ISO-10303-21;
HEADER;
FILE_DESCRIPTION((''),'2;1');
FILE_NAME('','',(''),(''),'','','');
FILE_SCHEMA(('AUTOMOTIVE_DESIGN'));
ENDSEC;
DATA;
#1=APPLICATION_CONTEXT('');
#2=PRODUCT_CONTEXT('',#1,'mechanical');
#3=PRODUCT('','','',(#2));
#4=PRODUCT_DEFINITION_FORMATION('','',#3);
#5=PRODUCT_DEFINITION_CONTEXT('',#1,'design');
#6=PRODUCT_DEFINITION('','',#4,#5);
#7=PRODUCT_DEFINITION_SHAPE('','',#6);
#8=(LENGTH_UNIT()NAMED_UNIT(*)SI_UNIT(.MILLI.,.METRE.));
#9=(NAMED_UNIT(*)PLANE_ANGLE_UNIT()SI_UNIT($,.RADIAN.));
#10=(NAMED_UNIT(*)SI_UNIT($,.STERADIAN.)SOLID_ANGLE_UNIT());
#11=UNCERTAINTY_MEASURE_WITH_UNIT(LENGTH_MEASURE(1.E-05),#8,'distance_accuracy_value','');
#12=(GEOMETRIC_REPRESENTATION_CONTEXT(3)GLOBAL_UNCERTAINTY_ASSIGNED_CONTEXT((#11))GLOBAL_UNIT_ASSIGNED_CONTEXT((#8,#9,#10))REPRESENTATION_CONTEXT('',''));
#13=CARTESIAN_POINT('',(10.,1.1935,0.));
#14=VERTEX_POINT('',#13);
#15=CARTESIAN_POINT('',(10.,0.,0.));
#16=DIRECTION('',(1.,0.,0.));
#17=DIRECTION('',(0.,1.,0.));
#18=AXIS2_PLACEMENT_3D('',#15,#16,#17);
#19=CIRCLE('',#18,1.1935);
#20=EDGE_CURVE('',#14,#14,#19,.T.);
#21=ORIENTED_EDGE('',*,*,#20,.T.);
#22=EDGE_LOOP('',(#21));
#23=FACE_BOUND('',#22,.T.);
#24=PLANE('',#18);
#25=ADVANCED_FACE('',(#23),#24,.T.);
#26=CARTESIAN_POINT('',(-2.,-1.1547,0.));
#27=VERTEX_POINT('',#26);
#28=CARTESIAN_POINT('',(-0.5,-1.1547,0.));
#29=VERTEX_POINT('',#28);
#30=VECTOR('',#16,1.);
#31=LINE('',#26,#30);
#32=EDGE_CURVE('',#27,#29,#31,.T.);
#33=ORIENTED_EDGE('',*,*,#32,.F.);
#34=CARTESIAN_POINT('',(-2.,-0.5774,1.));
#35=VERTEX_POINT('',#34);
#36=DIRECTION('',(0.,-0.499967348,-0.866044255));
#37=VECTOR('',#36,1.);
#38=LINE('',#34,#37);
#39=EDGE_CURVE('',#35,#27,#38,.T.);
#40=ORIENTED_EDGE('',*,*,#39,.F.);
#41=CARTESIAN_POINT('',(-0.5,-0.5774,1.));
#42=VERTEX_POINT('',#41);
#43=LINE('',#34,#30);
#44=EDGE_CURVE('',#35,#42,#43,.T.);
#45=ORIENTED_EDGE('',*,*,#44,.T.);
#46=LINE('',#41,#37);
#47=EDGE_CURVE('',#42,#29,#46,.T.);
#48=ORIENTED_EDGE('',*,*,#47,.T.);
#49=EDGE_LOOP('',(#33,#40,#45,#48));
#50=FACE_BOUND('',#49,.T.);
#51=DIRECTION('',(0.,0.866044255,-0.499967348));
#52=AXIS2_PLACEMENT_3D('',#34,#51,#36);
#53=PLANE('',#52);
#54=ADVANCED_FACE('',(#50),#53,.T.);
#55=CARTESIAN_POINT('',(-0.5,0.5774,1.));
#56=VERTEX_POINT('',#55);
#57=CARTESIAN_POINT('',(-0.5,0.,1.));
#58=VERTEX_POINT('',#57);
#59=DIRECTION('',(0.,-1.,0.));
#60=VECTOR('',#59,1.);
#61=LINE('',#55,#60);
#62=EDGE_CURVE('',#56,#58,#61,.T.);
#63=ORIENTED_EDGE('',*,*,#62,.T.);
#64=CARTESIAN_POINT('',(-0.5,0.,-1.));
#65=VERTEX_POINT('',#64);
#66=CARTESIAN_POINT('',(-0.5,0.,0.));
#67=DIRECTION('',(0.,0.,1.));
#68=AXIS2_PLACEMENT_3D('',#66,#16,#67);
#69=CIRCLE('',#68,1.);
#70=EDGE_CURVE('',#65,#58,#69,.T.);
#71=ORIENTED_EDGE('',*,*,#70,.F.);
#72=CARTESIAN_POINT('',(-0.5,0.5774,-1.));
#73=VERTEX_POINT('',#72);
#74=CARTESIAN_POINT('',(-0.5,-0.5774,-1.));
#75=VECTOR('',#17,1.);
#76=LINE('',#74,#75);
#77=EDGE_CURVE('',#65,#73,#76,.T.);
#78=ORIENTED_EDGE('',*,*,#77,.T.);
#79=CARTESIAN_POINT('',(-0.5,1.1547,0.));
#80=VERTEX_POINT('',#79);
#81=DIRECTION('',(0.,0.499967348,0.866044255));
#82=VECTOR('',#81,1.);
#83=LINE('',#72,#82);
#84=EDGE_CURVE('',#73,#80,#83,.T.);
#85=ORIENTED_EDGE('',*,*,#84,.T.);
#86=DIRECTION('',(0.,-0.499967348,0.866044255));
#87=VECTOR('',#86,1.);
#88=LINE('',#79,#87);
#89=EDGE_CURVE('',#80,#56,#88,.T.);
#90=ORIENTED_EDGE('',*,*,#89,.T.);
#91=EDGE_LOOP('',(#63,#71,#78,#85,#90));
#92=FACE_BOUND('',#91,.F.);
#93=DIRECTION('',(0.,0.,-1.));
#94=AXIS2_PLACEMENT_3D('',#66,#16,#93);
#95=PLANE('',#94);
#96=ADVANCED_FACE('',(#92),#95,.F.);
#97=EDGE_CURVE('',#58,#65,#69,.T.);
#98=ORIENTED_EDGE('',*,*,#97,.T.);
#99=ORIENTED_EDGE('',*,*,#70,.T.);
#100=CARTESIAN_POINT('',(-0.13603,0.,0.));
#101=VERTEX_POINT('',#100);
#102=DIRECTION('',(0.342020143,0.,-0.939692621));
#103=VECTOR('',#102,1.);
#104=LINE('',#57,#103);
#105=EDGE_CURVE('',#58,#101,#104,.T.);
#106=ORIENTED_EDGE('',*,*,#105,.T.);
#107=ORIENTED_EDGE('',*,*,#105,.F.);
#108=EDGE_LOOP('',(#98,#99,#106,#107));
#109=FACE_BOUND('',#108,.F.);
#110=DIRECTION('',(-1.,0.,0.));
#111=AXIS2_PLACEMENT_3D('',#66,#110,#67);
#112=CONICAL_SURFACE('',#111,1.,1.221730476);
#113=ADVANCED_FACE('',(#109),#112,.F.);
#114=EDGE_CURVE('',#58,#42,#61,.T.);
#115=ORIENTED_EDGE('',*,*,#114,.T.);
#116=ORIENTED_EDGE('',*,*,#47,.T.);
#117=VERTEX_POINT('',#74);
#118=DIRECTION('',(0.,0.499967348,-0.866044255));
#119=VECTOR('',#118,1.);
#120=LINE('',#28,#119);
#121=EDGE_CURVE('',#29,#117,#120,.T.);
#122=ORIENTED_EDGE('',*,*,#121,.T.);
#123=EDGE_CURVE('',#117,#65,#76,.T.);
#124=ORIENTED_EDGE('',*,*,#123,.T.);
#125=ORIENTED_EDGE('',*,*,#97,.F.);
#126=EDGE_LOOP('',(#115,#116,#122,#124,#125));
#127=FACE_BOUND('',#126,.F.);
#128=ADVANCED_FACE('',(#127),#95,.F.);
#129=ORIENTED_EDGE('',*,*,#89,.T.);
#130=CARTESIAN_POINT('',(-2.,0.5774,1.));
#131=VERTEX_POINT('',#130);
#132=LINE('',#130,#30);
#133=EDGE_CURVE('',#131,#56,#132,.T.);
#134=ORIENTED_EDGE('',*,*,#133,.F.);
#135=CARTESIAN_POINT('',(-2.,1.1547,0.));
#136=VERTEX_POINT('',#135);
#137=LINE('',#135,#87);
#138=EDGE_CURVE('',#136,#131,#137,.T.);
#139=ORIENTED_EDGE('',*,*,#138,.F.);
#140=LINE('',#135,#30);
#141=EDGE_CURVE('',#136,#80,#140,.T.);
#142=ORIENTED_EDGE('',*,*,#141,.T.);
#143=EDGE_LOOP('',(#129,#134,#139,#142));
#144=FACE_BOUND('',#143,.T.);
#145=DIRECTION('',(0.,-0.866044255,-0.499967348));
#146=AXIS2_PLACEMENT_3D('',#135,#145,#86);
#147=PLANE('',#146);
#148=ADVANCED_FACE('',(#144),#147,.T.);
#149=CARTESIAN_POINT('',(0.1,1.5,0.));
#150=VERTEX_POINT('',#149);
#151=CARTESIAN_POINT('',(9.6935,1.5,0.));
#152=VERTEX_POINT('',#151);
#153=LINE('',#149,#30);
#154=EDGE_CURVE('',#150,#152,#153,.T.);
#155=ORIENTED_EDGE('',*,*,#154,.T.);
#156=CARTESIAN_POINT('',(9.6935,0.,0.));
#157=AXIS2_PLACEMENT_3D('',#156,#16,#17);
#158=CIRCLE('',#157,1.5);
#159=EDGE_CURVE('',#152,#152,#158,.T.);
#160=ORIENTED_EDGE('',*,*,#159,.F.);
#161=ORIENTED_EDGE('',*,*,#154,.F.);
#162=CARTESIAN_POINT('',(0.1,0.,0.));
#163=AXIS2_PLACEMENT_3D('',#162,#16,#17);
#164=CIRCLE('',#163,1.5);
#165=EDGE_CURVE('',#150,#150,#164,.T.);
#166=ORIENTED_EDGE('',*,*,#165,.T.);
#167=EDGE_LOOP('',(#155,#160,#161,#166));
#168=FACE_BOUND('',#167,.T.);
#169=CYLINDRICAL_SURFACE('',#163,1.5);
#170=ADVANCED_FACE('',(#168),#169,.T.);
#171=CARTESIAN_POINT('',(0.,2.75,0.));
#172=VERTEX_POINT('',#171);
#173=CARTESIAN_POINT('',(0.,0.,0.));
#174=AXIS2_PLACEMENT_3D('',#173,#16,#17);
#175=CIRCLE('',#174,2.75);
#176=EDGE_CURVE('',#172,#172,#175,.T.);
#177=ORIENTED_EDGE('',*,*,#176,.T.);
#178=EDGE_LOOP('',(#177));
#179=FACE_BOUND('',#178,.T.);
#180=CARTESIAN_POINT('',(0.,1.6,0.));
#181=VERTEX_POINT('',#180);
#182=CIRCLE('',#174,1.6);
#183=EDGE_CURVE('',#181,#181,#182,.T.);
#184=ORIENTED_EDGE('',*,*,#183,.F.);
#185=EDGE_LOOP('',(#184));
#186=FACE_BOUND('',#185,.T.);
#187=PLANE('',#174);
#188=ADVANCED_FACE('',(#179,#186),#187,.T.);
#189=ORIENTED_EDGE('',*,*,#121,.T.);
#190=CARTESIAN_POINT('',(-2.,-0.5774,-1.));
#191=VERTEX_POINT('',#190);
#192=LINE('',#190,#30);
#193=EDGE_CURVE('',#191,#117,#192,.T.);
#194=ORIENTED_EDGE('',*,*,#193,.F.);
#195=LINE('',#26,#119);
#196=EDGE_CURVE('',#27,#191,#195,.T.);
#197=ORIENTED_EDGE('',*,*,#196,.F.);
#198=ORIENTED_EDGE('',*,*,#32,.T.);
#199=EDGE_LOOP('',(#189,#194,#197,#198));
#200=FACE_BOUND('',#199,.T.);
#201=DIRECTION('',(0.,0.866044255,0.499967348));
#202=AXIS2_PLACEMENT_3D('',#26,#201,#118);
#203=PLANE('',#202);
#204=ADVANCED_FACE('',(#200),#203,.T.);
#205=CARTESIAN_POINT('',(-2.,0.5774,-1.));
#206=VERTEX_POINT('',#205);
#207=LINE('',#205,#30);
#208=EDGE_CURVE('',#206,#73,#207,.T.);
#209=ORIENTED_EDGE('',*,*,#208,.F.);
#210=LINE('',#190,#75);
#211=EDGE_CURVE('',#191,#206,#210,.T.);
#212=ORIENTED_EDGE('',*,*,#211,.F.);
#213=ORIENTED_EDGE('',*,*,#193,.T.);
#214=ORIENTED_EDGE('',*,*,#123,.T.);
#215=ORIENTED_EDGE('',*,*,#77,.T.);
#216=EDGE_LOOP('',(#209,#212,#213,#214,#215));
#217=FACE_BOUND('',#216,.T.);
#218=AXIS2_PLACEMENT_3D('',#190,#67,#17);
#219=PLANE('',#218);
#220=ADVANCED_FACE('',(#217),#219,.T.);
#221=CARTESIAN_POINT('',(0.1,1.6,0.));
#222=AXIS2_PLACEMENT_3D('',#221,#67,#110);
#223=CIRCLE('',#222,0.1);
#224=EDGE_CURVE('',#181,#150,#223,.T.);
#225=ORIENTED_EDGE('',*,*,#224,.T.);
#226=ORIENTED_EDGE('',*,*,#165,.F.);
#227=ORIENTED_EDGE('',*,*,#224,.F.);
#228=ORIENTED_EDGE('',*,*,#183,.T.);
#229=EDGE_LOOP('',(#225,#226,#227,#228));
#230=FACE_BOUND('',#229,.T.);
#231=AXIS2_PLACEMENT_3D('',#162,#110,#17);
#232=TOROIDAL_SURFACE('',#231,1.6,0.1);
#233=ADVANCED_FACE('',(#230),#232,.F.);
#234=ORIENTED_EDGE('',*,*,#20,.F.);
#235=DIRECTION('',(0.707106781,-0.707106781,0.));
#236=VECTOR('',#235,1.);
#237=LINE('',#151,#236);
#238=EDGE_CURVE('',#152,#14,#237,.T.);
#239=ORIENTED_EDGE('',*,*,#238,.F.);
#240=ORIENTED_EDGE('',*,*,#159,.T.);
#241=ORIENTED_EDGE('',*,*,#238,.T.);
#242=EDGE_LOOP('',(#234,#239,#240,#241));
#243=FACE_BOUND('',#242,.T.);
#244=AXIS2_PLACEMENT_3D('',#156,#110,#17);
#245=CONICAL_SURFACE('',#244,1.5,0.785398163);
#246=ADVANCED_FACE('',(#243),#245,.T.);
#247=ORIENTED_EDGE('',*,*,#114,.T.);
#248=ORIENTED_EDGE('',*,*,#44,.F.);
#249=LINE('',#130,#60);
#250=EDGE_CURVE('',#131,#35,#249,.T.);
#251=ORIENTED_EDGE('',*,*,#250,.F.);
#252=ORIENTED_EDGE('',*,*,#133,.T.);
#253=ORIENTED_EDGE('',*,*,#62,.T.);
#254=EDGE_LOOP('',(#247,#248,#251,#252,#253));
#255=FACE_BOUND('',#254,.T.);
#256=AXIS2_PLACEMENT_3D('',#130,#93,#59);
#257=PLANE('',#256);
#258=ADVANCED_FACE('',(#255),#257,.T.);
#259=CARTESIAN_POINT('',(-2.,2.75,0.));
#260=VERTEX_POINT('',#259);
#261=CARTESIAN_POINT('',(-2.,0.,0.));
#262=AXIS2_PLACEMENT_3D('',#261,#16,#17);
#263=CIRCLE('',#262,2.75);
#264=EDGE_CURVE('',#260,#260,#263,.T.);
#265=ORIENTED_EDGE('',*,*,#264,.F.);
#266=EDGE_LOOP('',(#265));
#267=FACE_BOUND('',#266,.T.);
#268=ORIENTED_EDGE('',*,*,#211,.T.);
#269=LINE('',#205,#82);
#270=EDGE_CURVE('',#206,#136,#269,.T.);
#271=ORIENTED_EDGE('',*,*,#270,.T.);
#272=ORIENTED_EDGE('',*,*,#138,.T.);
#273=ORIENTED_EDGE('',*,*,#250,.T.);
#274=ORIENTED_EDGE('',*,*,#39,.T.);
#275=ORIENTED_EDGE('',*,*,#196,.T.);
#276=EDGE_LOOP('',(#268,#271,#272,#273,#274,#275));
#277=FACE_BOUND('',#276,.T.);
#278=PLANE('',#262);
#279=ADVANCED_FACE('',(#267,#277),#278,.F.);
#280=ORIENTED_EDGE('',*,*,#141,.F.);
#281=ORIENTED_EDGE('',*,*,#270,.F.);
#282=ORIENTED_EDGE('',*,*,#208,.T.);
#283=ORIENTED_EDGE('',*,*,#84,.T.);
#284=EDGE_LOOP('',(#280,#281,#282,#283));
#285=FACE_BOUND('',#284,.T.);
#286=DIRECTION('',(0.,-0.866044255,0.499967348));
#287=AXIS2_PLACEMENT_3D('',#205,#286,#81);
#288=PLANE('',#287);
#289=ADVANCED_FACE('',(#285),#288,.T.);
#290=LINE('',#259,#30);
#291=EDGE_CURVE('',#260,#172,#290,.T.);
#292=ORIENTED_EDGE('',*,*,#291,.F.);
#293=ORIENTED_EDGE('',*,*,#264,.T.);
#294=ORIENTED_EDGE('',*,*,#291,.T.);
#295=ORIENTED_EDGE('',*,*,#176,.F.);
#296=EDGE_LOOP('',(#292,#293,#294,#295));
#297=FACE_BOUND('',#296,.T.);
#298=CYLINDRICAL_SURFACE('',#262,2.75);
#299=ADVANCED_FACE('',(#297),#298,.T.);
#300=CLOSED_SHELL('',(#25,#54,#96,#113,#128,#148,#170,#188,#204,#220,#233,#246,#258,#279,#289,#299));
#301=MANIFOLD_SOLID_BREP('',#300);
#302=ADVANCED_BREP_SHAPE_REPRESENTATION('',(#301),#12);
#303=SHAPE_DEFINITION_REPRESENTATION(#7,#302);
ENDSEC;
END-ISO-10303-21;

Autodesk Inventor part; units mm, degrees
sketch "Sketch_1" plane through (0, 0, 0) normal (0, 0, 1) x (1, 0, 0)
  line L0 (10, 0) -> (-2, 0)
  line L1 (-2, 0) -> (-2, 2.75)
  line L2 (-2, 2.75) -> (0, 2.75)
  line L3 (0, 2.75) -> (0, 1.6)
  arc A0 (0, 1.6) -> (0.1, 1.5) centre (0.1, 1.6) ccw
  line L4 (0.1, 1.5) -> (9.6935, 1.5)
  line L5 (9.6935, 1.5) -> (10, 1.1935)
  line L6 (10, 1.1935) -> (10, 0)
  line L7 (10, 0) -> (-2, 0)
revolve "Revolution1" add sketch "Sketch_1" angle 360 about axis through (10, 0, 0) along (1, 0, 0)
thread "Thread1" size "M3x0.5" class "6g" standard "ISO Metric profile" length 9.5 offset 0.4
sketch "Sketch2" plane through (-2, 0, 0) normal (-1, 0, 0) x (0, 0, 1)
  point P0 (0, 0)
hole "Hole1" at (-2, 0, 0) direction (1, 0, 0) diameter 2 depth 1.5 tip angle 140
sketch "Sketch_3" plane through (-2, 0, 0) normal (1, 0, 0) x (0, 0, -1)
  line L0 (-1, 0.5774) -> (-1, -0.5774)
  line L1 (-1, -0.5774) -> (0, -1.1547)
  line L2 (0, -1.1547) -> (1, -0.5774)
  line L3 (1, -0.5774) -> (1, 0.5774)
  line L4 (1, 0.5774) -> (0, 1.1547)
  line L5 (0, 1.1547) -> (-1, 0.5774)
extrude "Extrusion1" cut sketch "Sketch_3" along normal blind 1.5
ref_plane "bolt_XY" through (0, 0, 0) normal (1, 0, 0) x (0, 0, -1)
ref_plane "bolt_YZ" through (0, 0, 0) normal (0, 0, -1) x (0, 1, 0)
ref_plane "bolt_ZX" through (0, 0, 0) normal (0, 1, 0) x (1, 0, 0)
ref_plane "bolt_to_nut_XY" through (10, 0, 0) normal (1, 0, 0) x (0, 0, -1)
ref_plane "bolt_to_nut_YZ" through (10, 0, 0) normal (0, 0, -1) x (0, 1, 0)
ref_plane "bolt_to_nut_ZX" through (10, 0, 0) normal (0, 1, 0) x (1, 0, 0)
properties part number "CBS3-10"
